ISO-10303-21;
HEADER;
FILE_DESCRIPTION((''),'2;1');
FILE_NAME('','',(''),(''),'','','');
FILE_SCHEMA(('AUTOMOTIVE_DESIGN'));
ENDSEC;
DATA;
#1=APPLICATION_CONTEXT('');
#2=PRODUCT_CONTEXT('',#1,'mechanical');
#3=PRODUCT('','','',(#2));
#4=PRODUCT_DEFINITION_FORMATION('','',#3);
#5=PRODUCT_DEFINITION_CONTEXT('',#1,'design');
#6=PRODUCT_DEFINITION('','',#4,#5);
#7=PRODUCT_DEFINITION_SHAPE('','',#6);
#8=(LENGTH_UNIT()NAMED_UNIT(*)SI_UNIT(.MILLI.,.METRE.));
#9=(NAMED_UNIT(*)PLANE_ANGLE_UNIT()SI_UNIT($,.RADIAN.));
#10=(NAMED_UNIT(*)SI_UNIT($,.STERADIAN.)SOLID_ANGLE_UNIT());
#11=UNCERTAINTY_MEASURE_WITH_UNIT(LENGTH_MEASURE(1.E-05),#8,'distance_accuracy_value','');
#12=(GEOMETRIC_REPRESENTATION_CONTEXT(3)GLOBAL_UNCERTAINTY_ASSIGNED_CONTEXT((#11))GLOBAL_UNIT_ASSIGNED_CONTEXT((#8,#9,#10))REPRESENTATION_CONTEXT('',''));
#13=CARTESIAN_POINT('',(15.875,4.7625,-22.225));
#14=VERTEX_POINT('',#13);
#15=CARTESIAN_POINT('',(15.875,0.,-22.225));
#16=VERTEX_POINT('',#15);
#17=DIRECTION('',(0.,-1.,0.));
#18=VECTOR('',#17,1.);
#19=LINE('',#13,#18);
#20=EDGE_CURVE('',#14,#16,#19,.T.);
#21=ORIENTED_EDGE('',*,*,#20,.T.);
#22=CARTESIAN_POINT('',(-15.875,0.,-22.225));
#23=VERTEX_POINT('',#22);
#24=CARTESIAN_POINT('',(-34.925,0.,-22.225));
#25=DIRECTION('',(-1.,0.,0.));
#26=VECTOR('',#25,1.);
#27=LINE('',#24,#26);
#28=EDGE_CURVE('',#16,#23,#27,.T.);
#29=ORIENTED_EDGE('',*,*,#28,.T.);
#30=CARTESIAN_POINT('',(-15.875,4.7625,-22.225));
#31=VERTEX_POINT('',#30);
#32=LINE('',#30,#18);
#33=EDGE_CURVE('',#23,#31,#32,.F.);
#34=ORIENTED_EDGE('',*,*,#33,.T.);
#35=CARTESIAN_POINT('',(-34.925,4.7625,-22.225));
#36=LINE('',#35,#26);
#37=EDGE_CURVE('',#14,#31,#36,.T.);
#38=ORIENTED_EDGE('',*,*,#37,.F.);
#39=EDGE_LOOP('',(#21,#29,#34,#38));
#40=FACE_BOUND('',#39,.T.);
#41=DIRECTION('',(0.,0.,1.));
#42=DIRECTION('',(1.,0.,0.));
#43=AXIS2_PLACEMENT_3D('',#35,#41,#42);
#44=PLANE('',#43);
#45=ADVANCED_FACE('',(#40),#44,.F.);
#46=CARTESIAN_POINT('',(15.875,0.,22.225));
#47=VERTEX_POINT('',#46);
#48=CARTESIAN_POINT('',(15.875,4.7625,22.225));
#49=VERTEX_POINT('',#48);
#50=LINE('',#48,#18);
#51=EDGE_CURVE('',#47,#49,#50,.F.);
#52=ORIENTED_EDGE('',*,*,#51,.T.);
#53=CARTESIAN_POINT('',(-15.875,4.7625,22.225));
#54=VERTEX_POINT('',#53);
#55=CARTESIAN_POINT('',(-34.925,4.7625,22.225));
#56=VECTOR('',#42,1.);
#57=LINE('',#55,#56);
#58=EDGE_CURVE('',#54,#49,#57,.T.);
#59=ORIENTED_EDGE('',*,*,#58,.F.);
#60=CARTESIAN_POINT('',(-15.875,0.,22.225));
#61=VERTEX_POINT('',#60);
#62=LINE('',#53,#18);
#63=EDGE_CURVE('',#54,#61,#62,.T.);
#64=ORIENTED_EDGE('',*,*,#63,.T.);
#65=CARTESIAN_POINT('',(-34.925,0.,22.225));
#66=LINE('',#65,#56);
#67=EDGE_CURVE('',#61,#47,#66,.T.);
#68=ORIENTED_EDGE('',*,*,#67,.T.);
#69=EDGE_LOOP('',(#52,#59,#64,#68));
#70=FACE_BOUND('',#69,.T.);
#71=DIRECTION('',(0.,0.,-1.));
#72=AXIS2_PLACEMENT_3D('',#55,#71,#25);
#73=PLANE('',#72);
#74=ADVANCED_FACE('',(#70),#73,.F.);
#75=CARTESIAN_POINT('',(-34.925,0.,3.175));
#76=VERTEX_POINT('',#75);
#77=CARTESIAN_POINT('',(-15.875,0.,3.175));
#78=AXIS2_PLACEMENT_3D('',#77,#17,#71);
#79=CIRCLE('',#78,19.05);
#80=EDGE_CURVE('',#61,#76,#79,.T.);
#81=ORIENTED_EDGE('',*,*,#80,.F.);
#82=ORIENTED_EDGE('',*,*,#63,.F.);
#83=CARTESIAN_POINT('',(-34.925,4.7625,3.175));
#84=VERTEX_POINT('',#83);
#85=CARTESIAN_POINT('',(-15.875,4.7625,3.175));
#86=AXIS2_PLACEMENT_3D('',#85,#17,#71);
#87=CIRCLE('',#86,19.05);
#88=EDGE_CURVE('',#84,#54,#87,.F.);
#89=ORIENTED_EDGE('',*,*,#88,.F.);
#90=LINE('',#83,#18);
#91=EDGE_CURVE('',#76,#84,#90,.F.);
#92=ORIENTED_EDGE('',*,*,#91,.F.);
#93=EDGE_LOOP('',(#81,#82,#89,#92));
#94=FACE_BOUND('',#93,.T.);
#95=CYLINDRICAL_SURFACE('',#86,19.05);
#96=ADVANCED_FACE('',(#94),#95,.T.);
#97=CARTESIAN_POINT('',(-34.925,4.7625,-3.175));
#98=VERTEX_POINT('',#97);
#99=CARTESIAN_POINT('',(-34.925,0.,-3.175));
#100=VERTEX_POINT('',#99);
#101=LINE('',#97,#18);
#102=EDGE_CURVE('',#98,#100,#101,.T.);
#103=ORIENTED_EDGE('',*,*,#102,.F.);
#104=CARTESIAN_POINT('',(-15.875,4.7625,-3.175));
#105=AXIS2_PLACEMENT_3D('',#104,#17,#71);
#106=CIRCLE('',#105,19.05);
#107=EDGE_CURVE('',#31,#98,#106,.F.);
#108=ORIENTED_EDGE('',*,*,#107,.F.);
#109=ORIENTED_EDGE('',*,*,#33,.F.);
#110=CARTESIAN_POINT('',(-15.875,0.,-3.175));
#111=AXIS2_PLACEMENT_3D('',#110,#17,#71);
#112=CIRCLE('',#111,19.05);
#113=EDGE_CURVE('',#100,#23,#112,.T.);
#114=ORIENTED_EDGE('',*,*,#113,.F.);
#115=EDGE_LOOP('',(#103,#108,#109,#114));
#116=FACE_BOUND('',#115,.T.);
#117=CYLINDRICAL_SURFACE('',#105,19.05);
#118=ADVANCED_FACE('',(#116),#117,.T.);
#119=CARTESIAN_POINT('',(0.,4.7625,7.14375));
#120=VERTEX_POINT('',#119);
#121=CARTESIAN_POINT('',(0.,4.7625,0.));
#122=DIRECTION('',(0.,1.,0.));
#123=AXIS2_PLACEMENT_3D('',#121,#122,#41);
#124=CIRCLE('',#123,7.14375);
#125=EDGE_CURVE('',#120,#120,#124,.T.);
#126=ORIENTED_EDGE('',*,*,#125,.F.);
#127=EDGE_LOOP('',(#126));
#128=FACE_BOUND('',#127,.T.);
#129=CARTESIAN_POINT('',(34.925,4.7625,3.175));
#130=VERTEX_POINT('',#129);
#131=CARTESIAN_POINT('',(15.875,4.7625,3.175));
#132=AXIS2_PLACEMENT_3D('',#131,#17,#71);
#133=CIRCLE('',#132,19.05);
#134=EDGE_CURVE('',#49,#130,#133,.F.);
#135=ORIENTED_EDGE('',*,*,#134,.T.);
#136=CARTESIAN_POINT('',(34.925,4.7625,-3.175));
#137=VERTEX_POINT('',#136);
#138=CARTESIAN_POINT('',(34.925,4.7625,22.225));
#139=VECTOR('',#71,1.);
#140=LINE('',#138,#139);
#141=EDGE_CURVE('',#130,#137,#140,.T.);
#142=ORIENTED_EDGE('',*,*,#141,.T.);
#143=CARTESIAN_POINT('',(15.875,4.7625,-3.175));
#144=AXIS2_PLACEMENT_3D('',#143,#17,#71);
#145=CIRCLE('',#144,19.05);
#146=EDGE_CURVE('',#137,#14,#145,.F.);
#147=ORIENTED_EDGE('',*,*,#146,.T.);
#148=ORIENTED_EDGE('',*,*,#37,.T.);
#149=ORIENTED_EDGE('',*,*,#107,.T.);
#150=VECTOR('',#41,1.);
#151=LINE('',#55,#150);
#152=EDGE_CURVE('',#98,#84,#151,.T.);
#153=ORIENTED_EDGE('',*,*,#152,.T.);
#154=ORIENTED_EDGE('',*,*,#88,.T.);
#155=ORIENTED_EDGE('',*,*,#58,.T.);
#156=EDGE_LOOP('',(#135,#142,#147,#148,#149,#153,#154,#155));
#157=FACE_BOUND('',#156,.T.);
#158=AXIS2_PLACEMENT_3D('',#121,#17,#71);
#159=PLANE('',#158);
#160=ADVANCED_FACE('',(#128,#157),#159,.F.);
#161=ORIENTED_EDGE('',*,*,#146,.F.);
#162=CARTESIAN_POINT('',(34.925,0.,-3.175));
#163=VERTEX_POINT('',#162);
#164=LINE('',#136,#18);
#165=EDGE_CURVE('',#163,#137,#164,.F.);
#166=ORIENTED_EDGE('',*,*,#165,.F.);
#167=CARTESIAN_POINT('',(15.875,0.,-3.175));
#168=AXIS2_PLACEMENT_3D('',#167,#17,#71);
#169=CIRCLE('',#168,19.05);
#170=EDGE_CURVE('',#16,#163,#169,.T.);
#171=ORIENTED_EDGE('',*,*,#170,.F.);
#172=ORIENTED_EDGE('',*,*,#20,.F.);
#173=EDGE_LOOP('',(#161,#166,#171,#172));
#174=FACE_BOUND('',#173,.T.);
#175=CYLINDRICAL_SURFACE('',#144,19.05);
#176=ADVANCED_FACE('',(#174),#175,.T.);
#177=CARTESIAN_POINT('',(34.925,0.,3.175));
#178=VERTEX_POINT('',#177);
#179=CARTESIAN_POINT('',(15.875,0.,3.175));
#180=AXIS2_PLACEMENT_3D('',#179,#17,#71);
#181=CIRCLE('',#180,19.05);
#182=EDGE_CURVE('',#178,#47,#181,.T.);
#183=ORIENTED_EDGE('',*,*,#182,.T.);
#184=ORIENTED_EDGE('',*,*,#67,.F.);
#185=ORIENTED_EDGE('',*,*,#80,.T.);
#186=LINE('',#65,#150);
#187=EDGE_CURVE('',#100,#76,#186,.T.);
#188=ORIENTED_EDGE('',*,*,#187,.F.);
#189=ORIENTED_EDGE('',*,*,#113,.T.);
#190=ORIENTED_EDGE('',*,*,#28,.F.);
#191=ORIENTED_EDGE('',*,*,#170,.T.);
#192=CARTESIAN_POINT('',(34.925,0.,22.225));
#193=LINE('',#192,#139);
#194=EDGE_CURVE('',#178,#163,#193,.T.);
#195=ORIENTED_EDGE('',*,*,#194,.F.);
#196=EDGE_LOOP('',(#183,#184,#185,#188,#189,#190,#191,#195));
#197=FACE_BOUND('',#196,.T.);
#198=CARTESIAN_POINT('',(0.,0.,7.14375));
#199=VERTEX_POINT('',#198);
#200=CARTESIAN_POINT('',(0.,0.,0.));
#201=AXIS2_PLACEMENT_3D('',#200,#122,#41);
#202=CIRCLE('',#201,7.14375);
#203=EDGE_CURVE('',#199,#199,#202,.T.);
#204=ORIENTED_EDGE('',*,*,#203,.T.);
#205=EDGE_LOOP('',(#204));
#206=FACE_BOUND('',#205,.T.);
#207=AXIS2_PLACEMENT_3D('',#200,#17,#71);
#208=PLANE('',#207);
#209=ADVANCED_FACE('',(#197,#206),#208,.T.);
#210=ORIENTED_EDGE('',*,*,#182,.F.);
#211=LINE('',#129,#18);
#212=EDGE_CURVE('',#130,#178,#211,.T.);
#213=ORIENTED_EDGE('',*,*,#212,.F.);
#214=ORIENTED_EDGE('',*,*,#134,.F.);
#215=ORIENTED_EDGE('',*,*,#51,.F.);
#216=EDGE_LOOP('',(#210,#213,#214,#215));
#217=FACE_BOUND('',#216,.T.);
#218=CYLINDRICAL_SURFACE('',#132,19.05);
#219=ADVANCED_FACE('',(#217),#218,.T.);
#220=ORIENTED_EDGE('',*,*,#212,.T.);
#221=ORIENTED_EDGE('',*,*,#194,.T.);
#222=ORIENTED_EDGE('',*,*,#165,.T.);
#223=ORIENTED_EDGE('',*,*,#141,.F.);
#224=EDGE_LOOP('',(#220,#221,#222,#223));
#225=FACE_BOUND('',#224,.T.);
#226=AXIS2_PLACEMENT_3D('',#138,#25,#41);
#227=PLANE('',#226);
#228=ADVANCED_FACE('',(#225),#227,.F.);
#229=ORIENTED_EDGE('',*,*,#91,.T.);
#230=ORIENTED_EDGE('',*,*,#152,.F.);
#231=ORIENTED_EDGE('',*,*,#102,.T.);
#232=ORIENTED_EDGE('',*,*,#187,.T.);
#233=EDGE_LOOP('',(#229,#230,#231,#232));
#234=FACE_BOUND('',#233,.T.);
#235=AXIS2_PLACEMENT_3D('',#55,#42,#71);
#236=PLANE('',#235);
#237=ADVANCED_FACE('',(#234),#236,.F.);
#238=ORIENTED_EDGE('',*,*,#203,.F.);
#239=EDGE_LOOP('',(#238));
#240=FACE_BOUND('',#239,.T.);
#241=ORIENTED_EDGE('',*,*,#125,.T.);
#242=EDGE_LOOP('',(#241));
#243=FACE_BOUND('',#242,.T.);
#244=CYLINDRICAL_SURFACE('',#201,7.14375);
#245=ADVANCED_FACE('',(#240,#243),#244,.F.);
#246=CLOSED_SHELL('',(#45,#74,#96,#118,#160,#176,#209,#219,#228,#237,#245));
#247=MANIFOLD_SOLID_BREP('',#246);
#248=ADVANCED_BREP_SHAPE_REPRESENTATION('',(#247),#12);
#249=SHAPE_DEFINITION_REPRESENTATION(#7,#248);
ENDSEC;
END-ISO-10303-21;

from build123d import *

# Parameters (mm, degrees)
SKETCH1_W           = 69.85
SKETCH1_H           = 44.45
BOSS_EXTRUDE1_DEPTH = 4.7625
SKETCH2_R           = 7.14375
CUT_EXTRUDE1_DEPTH  = 5.7625
FILLET1_R           = 19.05
FILLET2_R           = 19.05


with BuildPart() as part:
    # Sketch1 → Boss-Extrude1 (new body)
    with BuildSketch(Plane(origin=(0, 0, 0), x_dir=(1, 0, 0), z_dir=(0, 1, 0))):
        Rectangle(SKETCH1_W, SKETCH1_H)
    extrude(amount=BOSS_EXTRUDE1_DEPTH)

    # Sketch2 → Cut-Extrude1 (cut, through all)
    with BuildSketch(Plane(origin=(0, 4.7625, 0), x_dir=(1, 0, 0), z_dir=(0, 1, 0))):
        Circle(SKETCH2_R)
    extrude(amount=-CUT_EXTRUDE1_DEPTH, mode=Mode.SUBTRACT)

    # Fillet1
    fillet1_edges = [part.edges().sort_by_distance(p)[0] for p in [
        (-34.925, 2.38125, 22.225),
        (-34.925, 2.38125, -22.225),
    ]]
    fillet(fillet1_edges, radius=FILLET1_R)

    # Fillet2
    fillet2_edges = [part.edges().sort_by_distance(p)[0] for p in [
        (34.925, 2.38125, 22.225),
        (34.925, 2.38125, -22.225),
    ]]
    fillet(fillet2_edges, radius=FILLET2_R)


solid = part.part
